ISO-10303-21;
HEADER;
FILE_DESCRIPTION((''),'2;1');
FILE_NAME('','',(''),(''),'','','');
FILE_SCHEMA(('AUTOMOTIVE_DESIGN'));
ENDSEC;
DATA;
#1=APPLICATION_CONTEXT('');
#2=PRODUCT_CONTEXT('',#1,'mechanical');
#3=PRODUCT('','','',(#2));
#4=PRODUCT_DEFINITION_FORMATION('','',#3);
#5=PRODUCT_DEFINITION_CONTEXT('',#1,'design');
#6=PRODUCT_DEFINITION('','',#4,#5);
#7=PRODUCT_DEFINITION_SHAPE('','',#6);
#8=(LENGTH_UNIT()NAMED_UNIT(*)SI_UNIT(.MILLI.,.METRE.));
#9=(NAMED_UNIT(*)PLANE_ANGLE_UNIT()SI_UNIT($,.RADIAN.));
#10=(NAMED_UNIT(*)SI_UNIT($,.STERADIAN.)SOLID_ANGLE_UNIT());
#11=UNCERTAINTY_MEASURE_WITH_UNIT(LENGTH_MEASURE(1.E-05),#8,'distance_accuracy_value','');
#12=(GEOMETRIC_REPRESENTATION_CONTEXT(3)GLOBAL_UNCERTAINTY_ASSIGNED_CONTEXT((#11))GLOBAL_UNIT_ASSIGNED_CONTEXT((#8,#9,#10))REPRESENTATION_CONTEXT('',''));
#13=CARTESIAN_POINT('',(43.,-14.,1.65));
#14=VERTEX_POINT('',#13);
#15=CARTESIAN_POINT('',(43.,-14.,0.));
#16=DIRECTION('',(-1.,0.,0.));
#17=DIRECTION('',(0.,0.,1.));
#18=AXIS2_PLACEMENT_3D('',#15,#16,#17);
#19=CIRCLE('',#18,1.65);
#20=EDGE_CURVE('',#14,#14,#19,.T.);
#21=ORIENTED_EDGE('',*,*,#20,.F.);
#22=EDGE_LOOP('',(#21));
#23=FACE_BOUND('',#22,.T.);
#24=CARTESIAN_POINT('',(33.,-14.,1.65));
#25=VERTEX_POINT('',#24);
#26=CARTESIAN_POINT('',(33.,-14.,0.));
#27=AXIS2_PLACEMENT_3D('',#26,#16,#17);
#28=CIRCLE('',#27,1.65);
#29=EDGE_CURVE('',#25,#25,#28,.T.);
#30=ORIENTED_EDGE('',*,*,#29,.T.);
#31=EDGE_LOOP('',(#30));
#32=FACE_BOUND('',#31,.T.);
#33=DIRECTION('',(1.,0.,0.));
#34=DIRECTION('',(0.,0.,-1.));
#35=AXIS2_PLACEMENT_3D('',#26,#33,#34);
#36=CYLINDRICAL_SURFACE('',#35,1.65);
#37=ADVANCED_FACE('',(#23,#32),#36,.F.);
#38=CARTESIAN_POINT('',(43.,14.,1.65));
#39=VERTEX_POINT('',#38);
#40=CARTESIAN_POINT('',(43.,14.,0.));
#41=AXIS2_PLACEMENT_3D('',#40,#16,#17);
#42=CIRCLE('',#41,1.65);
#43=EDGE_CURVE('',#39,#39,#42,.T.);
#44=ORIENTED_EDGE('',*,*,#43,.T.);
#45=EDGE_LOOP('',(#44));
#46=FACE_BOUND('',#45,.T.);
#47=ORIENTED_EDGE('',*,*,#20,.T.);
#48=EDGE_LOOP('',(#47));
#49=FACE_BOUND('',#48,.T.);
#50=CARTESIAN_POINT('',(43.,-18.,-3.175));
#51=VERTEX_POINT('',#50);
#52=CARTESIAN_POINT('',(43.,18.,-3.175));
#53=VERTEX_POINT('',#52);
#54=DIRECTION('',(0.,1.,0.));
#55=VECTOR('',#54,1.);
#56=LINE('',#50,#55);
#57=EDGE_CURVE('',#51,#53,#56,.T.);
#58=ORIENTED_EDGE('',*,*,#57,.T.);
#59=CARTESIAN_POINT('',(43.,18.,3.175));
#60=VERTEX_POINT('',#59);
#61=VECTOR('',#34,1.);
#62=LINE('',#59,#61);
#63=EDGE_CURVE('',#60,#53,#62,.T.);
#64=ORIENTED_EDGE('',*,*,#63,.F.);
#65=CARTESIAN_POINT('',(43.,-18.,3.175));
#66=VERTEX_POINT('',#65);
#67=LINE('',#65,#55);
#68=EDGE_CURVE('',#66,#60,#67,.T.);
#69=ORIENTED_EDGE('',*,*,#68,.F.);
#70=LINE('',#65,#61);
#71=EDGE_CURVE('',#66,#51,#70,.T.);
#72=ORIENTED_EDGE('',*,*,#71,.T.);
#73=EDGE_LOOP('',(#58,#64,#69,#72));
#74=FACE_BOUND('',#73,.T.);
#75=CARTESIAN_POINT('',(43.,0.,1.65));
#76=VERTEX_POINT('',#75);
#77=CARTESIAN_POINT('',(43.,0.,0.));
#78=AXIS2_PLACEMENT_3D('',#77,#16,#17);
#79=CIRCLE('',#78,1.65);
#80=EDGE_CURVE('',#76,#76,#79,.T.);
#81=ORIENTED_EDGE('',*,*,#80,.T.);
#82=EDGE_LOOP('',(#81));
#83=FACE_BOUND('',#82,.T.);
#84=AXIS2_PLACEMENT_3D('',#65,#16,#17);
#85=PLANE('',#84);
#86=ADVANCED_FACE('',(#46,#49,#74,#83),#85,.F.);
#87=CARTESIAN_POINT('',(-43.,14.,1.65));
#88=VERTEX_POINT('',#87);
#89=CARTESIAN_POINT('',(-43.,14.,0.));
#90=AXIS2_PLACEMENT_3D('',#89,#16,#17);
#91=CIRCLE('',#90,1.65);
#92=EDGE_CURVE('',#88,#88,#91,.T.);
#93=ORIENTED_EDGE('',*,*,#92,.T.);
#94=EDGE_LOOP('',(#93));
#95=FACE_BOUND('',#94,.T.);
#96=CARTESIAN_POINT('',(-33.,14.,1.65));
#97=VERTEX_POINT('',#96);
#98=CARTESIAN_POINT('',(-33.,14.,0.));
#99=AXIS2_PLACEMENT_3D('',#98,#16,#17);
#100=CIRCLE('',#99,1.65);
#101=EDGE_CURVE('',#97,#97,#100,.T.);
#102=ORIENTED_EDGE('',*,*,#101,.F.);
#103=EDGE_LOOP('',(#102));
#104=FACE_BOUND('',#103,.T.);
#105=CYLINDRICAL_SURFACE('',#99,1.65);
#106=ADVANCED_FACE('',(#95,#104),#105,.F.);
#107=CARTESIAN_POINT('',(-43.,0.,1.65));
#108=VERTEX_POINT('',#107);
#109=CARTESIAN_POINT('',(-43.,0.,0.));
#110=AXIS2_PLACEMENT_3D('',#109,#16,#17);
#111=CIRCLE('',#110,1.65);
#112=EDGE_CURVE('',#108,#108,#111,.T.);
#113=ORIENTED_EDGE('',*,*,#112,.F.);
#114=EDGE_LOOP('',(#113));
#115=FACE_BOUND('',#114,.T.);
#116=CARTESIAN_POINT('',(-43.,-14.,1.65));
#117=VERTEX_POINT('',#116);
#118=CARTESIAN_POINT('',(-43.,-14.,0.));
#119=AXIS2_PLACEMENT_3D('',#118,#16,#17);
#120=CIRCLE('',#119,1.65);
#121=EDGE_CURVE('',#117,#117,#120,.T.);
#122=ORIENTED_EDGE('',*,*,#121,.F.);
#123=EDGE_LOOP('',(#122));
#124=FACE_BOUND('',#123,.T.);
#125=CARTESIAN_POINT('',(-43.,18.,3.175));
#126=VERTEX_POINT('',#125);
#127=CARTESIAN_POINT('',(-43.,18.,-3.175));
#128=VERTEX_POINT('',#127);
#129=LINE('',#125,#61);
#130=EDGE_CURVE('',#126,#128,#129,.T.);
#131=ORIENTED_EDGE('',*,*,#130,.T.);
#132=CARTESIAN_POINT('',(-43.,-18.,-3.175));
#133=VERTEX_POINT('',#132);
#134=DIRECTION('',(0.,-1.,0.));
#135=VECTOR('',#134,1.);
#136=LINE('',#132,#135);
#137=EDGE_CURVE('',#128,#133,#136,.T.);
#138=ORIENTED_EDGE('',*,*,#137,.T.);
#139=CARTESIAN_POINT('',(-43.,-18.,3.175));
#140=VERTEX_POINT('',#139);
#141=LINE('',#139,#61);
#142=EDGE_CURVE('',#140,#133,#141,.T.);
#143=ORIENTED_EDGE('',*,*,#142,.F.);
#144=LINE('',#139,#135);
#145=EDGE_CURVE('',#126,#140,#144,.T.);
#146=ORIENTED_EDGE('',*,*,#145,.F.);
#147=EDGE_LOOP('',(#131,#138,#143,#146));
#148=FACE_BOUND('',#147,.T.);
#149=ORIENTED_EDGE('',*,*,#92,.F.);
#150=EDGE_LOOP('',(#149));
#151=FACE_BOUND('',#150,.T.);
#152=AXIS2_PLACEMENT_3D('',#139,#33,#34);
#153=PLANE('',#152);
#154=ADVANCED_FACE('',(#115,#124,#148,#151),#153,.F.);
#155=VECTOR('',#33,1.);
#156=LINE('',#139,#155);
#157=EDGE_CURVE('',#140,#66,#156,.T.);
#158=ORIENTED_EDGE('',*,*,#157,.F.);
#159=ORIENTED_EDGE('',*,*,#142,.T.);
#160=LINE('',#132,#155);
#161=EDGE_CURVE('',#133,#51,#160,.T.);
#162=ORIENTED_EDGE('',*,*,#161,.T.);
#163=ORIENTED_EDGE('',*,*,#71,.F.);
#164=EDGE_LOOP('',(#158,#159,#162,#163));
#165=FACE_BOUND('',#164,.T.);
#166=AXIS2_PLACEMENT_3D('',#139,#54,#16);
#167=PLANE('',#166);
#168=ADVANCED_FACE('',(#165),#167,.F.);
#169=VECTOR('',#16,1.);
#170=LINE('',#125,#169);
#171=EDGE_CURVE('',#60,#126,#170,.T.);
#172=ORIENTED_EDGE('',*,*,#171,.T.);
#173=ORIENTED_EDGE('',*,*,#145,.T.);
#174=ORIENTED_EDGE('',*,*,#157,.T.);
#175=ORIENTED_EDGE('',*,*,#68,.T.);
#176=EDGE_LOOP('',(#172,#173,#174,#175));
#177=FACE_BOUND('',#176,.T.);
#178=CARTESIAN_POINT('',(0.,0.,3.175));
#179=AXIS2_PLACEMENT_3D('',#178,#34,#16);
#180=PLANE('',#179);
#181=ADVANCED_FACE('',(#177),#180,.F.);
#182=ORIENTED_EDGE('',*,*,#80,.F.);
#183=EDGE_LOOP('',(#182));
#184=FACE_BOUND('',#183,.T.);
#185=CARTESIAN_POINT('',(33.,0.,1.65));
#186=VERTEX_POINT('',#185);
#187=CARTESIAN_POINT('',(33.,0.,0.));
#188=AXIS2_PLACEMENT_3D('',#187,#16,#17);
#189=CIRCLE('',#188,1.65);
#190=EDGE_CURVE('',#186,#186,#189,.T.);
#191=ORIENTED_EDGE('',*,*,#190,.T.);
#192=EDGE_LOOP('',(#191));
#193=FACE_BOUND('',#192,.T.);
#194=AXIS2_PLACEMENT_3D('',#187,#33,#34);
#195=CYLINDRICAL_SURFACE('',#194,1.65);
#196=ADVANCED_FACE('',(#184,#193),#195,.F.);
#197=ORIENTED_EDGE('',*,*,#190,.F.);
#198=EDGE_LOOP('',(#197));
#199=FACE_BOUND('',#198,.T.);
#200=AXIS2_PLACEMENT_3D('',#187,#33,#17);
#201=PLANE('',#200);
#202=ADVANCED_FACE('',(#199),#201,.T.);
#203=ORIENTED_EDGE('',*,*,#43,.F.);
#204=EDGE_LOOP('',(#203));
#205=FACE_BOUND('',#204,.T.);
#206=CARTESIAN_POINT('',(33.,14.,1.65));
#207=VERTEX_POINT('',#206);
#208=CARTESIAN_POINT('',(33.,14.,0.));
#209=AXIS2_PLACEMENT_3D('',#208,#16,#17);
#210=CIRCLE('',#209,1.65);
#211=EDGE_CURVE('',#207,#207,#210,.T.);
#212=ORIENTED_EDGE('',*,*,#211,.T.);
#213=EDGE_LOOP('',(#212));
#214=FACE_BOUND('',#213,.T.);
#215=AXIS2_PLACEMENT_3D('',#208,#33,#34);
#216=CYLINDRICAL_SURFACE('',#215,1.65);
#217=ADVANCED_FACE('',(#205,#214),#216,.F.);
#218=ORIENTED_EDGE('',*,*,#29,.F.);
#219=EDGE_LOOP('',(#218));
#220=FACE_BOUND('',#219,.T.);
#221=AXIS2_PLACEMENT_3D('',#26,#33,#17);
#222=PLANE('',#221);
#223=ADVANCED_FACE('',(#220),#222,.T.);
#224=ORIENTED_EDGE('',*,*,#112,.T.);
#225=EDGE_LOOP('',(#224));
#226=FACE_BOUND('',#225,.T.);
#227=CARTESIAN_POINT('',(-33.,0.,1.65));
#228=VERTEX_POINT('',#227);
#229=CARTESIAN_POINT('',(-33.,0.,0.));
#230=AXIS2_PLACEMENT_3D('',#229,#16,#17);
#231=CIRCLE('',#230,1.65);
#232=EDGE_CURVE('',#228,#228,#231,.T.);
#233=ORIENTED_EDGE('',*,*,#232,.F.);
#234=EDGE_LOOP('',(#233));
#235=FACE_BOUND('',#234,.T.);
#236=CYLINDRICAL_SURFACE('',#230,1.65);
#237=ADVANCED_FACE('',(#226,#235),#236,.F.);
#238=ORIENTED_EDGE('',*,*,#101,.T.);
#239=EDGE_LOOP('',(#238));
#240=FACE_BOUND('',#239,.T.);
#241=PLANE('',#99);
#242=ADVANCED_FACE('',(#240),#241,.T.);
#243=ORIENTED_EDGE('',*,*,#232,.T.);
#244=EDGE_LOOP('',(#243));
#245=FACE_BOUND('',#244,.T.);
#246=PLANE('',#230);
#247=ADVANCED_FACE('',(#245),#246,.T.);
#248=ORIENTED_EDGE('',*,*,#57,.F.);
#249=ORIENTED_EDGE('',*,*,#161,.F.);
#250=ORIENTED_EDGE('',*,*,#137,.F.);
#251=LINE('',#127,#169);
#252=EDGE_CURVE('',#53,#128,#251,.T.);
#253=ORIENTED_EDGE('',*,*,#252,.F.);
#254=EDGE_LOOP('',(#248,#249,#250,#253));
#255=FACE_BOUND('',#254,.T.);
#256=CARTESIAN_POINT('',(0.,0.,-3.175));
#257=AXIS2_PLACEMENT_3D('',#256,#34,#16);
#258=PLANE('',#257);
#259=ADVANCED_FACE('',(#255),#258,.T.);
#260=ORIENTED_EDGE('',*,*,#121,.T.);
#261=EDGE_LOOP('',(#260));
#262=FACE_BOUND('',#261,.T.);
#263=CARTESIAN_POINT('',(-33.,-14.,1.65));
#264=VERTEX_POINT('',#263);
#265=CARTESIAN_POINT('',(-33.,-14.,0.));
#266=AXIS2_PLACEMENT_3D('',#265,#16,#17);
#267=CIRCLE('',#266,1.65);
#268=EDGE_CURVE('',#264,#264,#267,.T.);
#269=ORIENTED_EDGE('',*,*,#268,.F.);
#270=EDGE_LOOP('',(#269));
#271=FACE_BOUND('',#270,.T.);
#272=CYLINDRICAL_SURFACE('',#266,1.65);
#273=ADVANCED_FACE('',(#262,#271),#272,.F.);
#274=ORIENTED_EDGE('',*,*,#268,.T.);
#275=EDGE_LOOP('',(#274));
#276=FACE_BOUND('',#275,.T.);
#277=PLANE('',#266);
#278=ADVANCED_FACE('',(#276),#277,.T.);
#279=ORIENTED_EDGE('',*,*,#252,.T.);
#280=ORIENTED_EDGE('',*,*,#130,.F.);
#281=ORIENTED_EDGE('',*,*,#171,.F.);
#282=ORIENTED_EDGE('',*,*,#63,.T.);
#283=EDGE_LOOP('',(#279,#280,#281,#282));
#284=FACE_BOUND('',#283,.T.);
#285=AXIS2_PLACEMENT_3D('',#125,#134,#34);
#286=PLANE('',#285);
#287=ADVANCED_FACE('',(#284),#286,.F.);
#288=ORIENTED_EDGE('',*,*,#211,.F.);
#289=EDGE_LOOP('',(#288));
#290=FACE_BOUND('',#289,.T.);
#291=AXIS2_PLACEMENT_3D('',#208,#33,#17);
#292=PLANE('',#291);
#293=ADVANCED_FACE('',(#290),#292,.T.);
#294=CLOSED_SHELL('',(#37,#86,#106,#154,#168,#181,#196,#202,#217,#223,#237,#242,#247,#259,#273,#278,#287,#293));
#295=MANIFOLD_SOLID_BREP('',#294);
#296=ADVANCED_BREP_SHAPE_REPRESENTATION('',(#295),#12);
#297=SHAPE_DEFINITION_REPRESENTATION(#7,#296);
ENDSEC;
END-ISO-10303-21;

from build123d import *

# Parameters (mm, degrees)
SKETCH1_W           = 86
SKETCH1_H           = 36
BOSS_EXTRUDE1_DEPTH = 3.175
SKETCH2_R           = 1.65
CUT_EXTRUDE1_DEPTH  = 10


with BuildPart() as part:
    # Sketch1 → Boss-Extrude1 (new, symmetric)
    with BuildSketch(Plane.XY):
        Rectangle(SKETCH1_W, SKETCH1_H)
    extrude(amount=BOSS_EXTRUDE1_DEPTH, both=True)

    # Sketch2 → Cut-Extrude1 (cut)
    with BuildSketch(Plane.ZY.offset(43)):
        with Locations((0, 14)):
            Circle(SKETCH2_R)
        with Locations((0, -14)):
            Circle(SKETCH2_R)
        Circle(SKETCH2_R)
    cut_extrude1 = extrude(amount=-CUT_EXTRUDE1_DEPTH, mode=Mode.SUBTRACT)

    # Mirror1: Cut-Extrude1 across plane
    add(cut_extrude1.mirror(Plane(origin=(0, 0, 0), x_dir=(0, 0, 1), z_dir=(1, 0, 0))), mode=Mode.SUBTRACT)


solid = part.part
